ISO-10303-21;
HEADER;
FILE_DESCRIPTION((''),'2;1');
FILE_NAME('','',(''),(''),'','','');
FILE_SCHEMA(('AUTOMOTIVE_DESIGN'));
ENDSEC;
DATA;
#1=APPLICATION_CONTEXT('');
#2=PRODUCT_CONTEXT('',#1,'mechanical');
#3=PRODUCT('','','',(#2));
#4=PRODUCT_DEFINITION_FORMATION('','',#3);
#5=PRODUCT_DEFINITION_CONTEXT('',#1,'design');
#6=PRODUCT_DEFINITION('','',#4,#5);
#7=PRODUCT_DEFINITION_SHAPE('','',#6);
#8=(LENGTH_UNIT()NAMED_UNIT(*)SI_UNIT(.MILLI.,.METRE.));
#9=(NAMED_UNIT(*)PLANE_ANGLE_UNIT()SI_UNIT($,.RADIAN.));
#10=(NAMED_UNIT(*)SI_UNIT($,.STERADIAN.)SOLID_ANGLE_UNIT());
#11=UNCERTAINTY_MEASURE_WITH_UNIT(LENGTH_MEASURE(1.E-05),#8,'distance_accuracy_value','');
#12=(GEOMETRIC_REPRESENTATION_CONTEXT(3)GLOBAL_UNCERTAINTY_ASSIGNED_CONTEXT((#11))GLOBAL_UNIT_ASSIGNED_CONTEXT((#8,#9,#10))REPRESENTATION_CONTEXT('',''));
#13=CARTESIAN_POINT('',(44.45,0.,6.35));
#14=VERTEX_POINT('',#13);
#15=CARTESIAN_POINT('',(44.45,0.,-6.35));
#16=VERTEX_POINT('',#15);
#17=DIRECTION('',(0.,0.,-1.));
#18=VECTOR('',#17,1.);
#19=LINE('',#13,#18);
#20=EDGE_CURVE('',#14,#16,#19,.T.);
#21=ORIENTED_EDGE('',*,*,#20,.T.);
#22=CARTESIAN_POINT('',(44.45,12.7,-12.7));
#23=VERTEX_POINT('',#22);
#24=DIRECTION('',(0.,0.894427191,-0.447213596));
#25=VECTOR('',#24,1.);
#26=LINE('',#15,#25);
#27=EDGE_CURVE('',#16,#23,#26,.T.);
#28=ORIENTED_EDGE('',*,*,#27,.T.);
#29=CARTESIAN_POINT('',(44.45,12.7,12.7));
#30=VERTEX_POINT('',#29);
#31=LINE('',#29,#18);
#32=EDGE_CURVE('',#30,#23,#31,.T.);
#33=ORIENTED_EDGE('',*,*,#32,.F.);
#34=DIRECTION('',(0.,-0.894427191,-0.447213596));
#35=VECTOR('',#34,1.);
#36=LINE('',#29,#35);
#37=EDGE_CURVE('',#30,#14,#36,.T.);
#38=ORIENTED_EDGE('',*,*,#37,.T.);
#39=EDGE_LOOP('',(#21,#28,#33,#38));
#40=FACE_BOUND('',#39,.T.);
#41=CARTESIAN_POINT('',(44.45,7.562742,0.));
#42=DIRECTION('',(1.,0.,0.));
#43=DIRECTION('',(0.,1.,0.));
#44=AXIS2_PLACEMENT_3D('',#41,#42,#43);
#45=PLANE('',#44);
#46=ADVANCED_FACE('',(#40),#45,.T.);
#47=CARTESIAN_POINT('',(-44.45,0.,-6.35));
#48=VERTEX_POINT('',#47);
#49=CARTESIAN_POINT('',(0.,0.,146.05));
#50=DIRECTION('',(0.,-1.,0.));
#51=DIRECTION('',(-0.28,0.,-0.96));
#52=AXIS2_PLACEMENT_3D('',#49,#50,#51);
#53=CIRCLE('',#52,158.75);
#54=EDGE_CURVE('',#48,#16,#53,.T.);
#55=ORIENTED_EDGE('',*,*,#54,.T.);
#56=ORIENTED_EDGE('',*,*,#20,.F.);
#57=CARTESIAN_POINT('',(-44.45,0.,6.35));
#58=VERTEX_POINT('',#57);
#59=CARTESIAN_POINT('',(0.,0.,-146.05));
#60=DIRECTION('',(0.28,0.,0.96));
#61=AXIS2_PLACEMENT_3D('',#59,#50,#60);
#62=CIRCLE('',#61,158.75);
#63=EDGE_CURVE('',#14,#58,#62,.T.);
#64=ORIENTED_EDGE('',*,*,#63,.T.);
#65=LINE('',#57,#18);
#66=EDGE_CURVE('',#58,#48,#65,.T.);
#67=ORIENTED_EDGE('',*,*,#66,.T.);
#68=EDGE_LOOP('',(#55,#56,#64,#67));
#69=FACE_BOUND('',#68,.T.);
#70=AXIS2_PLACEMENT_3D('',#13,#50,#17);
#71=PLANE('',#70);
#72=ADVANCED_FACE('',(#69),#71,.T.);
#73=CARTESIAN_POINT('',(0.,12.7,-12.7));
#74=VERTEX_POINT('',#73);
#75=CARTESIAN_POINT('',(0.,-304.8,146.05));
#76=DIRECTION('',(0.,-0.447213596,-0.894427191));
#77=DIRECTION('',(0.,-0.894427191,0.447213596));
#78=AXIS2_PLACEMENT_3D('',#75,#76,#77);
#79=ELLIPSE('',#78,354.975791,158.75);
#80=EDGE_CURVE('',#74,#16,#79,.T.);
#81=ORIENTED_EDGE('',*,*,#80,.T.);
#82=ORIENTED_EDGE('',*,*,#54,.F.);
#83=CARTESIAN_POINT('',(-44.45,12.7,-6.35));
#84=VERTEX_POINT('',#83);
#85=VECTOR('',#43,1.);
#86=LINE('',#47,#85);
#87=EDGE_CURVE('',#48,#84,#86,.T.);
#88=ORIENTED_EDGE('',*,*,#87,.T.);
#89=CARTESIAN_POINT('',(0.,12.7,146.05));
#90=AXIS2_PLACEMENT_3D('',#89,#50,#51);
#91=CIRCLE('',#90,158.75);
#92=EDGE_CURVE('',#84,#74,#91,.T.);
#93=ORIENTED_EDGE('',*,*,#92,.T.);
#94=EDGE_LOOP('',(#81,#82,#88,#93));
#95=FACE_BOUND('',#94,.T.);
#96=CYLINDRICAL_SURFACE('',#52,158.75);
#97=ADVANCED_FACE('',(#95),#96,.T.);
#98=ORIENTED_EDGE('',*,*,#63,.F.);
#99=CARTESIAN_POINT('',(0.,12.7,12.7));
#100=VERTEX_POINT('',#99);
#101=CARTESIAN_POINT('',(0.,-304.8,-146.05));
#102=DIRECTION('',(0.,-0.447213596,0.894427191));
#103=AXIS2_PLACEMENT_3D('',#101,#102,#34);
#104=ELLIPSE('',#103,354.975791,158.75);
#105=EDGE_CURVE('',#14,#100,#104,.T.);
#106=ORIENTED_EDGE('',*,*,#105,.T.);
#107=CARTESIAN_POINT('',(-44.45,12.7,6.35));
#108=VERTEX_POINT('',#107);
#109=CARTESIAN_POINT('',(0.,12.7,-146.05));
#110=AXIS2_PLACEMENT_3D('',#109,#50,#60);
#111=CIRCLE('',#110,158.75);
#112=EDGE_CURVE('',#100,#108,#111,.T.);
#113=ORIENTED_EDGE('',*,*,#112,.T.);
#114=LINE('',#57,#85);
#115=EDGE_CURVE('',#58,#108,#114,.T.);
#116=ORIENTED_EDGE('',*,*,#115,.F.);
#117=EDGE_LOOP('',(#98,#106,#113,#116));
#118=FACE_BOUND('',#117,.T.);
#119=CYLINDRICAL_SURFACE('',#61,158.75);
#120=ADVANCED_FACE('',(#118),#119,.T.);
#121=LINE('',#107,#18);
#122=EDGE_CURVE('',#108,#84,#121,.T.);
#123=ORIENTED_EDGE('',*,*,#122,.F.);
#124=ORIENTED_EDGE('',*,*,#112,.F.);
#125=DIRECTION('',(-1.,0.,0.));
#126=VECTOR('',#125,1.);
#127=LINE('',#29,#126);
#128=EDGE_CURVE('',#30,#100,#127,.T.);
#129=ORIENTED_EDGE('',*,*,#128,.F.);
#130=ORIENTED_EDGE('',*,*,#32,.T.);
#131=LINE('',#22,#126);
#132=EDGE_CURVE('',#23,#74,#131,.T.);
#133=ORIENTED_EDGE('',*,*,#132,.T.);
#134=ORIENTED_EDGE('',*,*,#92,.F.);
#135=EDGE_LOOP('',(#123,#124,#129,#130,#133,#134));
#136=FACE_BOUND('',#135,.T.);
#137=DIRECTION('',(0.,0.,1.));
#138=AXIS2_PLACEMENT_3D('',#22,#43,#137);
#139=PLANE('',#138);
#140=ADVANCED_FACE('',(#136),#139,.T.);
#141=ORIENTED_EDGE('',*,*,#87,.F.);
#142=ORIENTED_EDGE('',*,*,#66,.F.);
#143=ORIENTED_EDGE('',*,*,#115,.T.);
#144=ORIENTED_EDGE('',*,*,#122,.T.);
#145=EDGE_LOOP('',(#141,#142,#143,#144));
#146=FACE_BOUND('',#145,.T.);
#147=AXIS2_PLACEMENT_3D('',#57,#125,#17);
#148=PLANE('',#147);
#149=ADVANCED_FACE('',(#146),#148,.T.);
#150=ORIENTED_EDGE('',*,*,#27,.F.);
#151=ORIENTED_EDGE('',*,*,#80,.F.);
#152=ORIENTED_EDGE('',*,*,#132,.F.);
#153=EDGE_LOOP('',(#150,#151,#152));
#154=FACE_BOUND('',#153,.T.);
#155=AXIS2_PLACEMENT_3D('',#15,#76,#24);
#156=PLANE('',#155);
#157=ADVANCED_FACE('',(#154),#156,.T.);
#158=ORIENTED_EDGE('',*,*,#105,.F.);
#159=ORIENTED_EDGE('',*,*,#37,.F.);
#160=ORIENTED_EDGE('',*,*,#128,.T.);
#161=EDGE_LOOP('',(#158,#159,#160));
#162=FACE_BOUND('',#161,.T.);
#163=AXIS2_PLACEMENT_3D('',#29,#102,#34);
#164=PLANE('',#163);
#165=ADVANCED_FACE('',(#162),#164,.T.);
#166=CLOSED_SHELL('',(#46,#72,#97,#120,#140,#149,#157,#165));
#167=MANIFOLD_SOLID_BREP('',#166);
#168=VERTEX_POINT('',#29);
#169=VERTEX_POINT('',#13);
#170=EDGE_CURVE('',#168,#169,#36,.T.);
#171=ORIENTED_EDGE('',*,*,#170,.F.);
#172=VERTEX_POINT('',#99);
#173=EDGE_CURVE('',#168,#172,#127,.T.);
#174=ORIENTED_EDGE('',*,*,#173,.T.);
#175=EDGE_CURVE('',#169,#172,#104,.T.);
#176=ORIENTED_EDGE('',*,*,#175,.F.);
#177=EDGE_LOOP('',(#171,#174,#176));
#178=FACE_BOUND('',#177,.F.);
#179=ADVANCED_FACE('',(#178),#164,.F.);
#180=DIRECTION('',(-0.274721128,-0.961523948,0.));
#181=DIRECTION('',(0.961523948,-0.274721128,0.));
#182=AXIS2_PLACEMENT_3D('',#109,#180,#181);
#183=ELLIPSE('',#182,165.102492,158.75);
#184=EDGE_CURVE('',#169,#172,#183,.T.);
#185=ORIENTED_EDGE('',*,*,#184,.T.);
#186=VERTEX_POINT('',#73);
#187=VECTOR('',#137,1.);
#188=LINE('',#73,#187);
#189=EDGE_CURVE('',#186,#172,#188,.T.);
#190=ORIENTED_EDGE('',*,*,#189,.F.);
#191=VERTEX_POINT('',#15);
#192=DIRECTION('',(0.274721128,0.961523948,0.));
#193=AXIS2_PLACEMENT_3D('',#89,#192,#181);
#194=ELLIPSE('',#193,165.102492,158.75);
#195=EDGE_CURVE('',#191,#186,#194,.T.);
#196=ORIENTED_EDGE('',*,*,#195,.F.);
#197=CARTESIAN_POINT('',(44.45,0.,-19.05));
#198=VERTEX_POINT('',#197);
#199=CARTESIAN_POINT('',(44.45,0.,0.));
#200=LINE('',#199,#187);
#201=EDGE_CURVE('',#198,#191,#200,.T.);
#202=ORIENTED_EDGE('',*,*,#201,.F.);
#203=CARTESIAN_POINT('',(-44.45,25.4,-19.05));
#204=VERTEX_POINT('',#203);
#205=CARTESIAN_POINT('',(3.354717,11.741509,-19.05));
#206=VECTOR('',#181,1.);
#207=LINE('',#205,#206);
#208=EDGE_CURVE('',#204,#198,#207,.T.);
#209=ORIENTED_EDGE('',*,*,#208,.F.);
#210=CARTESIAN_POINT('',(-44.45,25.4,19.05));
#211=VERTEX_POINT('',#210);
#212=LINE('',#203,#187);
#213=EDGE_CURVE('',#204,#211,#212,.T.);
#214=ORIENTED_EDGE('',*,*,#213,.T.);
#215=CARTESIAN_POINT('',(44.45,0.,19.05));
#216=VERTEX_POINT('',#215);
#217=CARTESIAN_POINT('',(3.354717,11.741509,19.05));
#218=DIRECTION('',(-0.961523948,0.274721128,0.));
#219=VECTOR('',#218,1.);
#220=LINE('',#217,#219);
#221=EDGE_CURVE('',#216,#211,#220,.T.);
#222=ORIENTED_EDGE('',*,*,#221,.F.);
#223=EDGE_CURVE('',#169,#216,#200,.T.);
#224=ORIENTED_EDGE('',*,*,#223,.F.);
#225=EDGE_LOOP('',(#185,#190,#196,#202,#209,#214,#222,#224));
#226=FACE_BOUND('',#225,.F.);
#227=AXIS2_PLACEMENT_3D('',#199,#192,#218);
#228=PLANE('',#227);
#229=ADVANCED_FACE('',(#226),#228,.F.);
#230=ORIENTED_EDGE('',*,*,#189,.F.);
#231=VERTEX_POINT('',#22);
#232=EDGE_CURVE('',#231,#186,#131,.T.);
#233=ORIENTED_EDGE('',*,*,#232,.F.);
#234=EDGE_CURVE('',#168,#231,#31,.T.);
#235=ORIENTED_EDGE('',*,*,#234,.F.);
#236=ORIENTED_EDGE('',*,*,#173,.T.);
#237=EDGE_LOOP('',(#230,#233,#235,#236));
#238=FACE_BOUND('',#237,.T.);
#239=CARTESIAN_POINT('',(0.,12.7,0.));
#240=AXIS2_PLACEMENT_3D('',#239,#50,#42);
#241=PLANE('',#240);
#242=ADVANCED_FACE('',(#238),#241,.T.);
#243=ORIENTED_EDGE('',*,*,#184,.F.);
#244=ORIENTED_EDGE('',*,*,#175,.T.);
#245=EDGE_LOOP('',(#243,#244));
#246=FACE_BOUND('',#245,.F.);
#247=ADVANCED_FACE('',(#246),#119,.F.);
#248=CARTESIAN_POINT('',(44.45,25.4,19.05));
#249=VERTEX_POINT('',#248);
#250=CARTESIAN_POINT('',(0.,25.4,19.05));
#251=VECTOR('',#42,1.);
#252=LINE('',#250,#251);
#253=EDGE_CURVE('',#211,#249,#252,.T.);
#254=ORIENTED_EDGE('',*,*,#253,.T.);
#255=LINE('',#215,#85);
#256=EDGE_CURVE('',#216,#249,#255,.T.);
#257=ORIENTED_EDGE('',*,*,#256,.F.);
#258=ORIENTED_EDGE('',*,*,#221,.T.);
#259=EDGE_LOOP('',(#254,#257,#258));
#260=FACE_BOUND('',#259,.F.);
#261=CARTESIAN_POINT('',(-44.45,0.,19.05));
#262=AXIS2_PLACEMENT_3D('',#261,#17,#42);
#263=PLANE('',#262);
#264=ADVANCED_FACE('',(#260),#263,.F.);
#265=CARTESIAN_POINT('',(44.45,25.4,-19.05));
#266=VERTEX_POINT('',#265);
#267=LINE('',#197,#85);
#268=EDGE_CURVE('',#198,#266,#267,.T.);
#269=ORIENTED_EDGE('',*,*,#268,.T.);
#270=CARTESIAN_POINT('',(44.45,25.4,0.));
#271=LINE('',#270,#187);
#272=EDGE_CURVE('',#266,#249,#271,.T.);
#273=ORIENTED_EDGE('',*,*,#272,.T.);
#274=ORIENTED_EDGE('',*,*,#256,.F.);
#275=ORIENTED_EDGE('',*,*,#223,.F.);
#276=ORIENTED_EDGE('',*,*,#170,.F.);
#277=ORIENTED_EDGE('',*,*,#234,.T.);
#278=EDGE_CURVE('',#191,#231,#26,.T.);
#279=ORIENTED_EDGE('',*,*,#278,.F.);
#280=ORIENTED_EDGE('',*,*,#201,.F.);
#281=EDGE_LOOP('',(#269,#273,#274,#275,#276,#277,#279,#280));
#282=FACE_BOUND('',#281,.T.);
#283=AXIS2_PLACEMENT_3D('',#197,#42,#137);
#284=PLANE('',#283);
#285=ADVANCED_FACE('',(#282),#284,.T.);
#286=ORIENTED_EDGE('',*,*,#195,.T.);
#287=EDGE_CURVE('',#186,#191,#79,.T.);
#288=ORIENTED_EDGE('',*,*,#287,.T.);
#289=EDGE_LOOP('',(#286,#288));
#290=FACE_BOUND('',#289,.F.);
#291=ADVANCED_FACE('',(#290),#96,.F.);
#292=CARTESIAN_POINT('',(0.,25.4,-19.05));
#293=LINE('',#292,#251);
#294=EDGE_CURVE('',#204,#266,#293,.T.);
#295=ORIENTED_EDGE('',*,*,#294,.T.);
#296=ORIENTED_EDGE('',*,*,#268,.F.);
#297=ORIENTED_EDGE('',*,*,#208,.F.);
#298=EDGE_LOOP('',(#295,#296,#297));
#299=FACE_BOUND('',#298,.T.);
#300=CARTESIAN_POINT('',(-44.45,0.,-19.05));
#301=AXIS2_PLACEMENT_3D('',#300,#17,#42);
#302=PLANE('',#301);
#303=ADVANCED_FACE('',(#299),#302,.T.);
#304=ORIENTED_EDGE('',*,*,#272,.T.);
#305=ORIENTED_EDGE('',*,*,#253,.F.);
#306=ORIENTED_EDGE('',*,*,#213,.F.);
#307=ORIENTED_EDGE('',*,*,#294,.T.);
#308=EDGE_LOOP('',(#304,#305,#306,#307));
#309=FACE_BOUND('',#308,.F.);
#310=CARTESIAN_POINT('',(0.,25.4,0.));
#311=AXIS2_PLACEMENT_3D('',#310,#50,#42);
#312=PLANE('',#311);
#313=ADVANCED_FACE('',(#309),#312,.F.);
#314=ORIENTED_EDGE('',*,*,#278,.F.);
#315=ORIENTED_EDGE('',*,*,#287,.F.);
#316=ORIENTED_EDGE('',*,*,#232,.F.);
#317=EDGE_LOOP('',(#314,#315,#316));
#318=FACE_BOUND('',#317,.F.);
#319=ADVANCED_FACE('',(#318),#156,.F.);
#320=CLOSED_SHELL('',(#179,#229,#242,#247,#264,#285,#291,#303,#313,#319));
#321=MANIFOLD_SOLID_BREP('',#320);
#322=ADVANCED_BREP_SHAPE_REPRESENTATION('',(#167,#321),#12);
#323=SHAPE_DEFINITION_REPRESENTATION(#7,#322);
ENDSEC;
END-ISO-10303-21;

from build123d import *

# Parameters (mm, degrees)
F0_W          = 88.9
F0_H          = 38.1
F1_DEPTH      = 25.4
F3_DEPTH      = 12.7
F5_DEPTH      = 25.4
F5_DEPTH_BACK = 25.4
F7_DEPTH      = 50.8
F9_DEPTH      = 44.45
F10_DEPTH     = 12.7


with BuildPart() as f1:
    # F0 (on Front) → F1 (new body)
    with BuildSketch(Plane.XZ):
        Rectangle(F0_W, F0_H)
    extrude(amount=-F1_DEPTH)

    # F2 (on Front) → F3 (cut)
    with BuildSketch(Plane.XZ):
        with BuildLine():
            Line((44.45, -6.35), (44.45, 6.35))
            ThreePointArc((44.45, 6.35), (0, 12.7), (-44.45, 6.35))
            Line((-44.45, 6.35), (-44.45, -6.35))
            ThreePointArc((-44.45, -6.35), (0, -12.7), (44.45, -6.35))
        make_face()
    extrude(amount=-F3_DEPTH, mode=Mode.SUBTRACT)

    # F4 (on Top) → F5 (cut, two sides)
    with BuildSketch(Plane.XY) as f5_sk:
        Polygon((-44.45, 0), (44.45, 0), (-44.45, 25.4), align=None)
    extrude(amount=-F5_DEPTH, mode=Mode.SUBTRACT)
    extrude(f5_sk.sketch, amount=F5_DEPTH_BACK, mode=Mode.SUBTRACT)

    # F6 (on face) → F7 (cut)
    with BuildSketch(Plane.YZ.offset(44.45)):
        Polygon((12.7, 6.35), (12.7, 12.7), (0, 6.35), align=None)
        Polygon((12.7, -12.7), (12.7, -6.35), (0, -6.35), align=None)
    extrude(amount=-F7_DEPTH, mode=Mode.SUBTRACT)


with BuildPart() as f9:
    # F8 (on face) → F9 (new body)
    with BuildSketch(Plane.YZ.offset(44.45)):
        Polygon((12.7, -12.7), (12.7, 12.7), (0, 6.35), (0, -6.35), align=None)
    extrude(amount=-F9_DEPTH)

    # F2 (on Front) → F10 (join)
    with BuildSketch(Plane.XZ):
        with BuildLine():
            Line((44.45, -6.35), (44.45, 6.35))
            ThreePointArc((44.45, 6.35), (0, 12.7), (-44.45, 6.35))
            Line((-44.45, 6.35), (-44.45, -6.35))
            ThreePointArc((-44.45, -6.35), (0, -12.7), (44.45, -6.35))
        make_face()
    extrude(amount=-F10_DEPTH)


solid = Compound([f1.part, f9.part])
